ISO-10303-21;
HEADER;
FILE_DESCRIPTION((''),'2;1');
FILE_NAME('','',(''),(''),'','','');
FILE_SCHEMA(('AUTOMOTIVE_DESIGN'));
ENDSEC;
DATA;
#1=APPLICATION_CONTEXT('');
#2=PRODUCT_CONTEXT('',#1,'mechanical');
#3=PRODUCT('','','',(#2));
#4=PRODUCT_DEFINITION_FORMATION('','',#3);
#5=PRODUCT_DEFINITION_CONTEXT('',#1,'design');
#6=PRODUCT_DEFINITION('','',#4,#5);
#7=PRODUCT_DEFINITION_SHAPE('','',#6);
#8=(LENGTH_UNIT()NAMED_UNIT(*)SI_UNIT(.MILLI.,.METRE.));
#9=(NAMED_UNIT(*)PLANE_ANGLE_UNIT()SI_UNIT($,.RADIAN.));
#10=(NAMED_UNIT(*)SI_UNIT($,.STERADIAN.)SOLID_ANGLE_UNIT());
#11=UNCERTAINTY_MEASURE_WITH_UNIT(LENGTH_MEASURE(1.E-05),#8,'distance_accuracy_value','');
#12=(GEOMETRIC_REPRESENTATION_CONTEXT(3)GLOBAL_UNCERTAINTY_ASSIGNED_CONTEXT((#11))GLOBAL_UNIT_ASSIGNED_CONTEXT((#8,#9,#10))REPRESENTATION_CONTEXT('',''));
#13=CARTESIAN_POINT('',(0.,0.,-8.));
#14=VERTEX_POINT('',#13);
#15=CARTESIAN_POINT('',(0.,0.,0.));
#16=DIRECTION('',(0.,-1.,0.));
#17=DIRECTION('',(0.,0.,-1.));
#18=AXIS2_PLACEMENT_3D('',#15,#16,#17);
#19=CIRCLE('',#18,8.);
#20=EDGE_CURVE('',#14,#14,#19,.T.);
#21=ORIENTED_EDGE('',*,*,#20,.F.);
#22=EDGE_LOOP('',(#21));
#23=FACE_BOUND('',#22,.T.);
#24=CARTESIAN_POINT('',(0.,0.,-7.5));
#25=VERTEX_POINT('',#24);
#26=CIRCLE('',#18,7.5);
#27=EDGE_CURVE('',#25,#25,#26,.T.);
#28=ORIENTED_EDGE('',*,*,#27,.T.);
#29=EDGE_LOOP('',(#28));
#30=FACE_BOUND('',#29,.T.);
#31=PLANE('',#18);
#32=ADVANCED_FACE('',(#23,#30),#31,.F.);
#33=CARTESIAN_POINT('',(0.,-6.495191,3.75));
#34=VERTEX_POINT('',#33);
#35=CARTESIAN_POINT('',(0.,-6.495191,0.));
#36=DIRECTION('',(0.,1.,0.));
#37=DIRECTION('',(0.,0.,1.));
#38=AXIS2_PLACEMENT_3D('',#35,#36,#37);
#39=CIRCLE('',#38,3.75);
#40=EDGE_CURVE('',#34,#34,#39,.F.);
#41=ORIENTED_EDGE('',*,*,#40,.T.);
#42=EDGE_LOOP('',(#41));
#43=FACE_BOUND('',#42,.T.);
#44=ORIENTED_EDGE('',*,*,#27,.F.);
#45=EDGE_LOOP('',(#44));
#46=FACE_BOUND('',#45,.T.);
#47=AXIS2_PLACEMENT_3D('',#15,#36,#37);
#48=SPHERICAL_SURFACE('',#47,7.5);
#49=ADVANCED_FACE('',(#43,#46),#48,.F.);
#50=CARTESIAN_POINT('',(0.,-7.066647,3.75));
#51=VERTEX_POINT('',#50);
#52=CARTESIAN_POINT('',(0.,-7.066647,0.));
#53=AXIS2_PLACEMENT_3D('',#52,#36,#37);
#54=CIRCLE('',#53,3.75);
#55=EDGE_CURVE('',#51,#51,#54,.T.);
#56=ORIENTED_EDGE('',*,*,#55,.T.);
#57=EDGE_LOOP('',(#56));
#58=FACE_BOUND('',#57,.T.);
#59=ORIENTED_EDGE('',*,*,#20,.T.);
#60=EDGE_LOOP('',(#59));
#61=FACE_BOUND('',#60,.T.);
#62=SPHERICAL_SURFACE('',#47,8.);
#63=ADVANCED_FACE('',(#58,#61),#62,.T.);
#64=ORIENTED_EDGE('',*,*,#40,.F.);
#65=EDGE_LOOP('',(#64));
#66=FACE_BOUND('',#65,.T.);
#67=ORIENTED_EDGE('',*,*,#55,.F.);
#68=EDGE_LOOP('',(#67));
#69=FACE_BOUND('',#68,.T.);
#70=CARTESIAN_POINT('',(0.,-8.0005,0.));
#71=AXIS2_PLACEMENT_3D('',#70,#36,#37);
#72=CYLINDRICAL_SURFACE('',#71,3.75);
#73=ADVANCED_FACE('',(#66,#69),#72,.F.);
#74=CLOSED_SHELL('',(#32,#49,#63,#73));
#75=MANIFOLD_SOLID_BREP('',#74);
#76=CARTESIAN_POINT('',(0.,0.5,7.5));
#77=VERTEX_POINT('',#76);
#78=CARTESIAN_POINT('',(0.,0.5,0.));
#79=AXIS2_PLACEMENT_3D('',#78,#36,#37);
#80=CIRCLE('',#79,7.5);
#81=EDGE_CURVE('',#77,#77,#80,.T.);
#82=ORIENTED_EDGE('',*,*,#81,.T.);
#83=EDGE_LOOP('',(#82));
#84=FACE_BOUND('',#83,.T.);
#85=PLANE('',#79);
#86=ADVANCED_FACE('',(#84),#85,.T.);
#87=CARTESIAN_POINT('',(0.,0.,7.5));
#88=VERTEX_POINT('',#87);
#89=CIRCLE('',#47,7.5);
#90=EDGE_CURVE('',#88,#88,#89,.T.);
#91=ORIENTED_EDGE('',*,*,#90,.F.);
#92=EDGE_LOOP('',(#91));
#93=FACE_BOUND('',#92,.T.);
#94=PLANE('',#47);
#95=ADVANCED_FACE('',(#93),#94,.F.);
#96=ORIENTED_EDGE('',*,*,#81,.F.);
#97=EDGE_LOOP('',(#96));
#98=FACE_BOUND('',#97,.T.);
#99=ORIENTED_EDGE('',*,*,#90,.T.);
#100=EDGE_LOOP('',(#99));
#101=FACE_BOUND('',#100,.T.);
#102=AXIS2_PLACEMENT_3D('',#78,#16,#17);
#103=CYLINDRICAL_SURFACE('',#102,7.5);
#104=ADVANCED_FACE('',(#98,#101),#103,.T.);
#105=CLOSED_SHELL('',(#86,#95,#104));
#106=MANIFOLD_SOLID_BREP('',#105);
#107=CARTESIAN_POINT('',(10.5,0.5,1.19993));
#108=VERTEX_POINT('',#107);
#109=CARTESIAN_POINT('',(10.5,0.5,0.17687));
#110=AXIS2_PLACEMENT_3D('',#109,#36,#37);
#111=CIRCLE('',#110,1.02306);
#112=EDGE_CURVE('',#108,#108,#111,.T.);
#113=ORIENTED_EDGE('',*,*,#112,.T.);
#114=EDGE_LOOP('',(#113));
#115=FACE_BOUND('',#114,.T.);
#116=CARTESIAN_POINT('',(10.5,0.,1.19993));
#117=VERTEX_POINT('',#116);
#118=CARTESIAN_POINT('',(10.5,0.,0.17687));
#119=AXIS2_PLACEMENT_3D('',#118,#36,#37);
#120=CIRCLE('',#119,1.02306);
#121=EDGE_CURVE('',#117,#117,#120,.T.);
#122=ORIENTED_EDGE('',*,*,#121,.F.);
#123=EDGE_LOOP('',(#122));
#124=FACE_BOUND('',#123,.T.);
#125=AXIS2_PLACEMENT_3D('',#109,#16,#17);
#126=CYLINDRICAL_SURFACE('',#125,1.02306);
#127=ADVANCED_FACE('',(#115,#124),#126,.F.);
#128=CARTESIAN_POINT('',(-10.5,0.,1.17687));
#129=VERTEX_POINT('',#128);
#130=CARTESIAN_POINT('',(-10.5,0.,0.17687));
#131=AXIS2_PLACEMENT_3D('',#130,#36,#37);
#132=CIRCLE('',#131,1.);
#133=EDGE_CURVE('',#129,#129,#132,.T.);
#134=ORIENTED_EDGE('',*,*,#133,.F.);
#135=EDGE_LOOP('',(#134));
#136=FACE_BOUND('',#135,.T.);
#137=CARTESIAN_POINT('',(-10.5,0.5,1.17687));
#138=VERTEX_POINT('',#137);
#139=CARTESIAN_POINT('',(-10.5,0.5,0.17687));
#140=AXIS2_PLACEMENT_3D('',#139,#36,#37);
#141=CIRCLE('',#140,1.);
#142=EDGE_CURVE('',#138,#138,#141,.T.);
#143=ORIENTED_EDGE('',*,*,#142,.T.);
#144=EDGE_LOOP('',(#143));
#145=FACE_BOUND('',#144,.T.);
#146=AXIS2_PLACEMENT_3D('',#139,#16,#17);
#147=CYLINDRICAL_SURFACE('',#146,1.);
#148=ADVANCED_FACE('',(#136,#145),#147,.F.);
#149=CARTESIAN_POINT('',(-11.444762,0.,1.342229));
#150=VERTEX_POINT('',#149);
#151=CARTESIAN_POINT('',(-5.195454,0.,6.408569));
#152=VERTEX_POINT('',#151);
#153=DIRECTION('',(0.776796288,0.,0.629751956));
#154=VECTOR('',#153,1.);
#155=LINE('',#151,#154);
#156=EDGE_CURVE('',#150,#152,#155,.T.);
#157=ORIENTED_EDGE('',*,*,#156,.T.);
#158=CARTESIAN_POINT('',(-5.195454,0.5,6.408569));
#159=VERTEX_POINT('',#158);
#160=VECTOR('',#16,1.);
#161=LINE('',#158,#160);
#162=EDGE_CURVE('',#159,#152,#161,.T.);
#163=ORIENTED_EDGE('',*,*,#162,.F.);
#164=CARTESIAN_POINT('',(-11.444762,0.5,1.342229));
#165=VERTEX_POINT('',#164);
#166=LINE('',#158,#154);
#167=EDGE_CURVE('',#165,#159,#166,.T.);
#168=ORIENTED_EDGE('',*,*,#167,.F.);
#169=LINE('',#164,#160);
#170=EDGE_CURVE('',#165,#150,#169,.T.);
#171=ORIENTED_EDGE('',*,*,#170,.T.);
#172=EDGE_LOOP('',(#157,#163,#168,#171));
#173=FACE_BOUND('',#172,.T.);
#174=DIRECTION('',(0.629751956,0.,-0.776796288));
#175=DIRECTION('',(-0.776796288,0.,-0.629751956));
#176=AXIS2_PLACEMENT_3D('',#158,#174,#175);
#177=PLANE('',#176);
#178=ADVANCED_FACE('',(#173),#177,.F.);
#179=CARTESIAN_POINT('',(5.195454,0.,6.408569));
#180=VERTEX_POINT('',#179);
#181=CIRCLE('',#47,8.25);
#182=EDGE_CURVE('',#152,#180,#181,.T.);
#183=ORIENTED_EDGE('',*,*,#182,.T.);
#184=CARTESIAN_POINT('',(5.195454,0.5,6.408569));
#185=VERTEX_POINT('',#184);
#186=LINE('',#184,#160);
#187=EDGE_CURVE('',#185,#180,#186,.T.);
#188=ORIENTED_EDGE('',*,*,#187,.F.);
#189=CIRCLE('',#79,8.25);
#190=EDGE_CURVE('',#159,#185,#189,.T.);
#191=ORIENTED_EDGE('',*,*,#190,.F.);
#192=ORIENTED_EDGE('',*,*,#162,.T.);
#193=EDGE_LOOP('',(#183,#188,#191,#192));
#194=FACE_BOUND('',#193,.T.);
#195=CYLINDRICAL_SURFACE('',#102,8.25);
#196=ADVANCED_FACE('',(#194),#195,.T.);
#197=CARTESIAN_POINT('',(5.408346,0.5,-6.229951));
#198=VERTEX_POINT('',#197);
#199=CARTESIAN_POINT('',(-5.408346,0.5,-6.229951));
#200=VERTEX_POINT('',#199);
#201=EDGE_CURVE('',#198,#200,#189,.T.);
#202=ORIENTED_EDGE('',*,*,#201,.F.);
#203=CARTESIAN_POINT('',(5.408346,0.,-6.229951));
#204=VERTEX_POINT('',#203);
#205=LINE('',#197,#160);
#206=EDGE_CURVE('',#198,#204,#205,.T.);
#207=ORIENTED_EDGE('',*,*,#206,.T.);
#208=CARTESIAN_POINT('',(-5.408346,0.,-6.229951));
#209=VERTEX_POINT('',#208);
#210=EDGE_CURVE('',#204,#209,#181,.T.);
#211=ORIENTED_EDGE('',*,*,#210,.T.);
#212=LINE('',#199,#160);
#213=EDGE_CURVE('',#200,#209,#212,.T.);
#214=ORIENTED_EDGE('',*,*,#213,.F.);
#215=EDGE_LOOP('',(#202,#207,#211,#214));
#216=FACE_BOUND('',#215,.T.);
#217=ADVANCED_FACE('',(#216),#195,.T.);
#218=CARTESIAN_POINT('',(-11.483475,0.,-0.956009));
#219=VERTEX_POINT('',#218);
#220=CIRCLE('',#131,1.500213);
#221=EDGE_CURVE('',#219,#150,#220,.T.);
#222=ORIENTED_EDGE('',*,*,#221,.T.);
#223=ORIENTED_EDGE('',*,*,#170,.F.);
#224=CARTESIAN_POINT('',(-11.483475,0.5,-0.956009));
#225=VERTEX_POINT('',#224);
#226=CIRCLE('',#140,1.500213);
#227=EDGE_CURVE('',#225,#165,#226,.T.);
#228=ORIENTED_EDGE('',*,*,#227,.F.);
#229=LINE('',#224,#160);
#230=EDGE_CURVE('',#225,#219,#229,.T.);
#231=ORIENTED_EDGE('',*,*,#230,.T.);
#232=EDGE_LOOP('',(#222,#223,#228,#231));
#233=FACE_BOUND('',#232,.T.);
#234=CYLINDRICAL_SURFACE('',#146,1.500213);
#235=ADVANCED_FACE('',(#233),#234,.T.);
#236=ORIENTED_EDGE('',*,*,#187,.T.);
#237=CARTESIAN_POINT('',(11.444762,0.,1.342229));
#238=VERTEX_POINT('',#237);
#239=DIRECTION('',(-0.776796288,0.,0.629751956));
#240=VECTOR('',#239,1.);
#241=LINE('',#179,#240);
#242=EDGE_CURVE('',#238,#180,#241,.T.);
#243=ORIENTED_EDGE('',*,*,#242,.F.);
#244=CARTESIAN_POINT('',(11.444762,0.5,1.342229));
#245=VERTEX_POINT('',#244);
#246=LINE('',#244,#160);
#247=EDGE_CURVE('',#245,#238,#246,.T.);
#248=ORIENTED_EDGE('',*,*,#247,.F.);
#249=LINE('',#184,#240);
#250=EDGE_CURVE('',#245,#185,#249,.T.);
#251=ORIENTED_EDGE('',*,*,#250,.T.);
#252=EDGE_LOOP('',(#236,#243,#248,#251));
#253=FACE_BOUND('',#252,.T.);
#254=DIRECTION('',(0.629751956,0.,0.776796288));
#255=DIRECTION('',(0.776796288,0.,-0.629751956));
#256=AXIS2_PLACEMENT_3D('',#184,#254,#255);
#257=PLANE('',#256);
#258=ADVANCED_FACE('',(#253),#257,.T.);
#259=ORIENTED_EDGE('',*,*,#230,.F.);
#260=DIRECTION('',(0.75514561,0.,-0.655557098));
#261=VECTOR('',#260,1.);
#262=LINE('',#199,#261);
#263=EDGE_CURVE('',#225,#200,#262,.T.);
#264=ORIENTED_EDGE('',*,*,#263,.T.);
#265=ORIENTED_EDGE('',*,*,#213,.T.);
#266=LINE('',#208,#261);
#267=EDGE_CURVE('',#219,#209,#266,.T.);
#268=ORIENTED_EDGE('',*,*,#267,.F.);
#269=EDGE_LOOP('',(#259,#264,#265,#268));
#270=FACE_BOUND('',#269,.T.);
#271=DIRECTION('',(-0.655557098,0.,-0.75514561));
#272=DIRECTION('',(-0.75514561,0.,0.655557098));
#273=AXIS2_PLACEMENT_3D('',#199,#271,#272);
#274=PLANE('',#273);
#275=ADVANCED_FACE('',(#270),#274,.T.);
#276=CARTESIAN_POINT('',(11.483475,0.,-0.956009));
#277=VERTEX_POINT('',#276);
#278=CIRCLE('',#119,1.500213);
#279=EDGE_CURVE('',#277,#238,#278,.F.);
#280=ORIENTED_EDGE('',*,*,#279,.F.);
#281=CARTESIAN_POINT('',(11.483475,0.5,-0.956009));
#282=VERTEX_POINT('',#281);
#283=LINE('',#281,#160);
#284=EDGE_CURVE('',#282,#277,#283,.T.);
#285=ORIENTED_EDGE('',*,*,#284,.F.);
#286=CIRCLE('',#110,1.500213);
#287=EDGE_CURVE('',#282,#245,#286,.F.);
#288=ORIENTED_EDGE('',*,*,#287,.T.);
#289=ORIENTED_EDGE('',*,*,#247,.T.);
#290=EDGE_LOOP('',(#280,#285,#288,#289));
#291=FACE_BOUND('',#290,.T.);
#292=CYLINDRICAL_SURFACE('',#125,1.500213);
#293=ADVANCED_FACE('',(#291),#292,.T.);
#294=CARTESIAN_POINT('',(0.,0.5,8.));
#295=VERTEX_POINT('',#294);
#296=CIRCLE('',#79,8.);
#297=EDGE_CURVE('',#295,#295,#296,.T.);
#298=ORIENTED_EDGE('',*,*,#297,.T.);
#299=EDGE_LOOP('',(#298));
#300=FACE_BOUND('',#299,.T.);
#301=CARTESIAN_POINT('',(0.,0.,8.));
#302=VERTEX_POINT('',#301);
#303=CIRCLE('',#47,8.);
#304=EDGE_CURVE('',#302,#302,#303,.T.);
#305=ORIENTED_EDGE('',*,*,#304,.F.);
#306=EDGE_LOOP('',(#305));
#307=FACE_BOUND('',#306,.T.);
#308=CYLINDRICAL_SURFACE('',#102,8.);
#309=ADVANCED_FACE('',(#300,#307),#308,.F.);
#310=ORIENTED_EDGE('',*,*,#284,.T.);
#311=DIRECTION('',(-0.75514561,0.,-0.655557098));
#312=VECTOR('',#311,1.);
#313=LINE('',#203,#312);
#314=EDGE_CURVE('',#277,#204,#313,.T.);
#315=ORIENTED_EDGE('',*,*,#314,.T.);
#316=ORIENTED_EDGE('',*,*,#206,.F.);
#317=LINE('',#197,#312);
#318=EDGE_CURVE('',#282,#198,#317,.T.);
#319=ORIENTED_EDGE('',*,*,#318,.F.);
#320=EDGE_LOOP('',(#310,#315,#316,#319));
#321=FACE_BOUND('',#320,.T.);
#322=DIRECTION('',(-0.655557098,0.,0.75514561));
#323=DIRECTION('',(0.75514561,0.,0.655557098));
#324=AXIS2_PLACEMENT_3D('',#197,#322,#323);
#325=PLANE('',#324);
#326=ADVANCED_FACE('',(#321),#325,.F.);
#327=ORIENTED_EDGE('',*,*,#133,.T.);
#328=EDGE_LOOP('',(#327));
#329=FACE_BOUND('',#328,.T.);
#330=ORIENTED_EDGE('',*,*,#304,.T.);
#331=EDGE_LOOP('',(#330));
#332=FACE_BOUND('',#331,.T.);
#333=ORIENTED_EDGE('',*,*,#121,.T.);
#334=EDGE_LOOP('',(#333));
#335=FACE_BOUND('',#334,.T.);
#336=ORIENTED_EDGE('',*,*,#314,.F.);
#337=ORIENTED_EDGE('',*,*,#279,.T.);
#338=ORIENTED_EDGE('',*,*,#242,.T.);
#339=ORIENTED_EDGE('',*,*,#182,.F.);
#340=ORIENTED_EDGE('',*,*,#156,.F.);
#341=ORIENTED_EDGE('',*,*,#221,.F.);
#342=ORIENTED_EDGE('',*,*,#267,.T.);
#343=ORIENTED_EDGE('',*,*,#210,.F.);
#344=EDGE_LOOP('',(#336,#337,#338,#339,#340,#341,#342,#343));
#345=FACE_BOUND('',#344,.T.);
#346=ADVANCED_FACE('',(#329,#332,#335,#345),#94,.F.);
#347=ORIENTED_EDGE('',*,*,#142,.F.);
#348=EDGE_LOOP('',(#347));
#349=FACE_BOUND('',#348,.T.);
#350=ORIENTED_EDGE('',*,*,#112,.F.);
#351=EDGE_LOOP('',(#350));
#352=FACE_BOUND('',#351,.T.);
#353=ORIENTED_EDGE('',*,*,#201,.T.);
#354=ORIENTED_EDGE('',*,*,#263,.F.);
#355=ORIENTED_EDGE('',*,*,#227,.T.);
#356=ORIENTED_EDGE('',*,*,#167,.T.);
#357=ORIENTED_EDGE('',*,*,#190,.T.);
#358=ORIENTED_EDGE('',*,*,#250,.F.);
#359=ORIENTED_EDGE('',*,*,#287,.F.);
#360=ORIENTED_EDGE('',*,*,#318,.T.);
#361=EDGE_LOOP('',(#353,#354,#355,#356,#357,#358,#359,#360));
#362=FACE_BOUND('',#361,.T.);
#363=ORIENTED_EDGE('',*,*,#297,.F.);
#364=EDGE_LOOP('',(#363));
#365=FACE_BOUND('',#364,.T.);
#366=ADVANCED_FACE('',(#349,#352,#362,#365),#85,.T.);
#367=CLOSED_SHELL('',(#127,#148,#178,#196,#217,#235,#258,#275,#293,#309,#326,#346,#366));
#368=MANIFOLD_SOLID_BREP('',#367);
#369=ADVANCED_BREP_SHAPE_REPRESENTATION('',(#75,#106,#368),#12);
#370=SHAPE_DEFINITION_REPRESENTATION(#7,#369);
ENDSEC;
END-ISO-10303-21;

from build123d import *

# Parameters (mm, degrees)
REVOLVE6_ANGLE          = 180
SKETCH1_9_R             = 2
BOSS_EXTRUDE1_DEPTH     = 1
SKETCH1_9_R_2           = 15
BOSS_EXTRUDE1_2_DEPTH   = 1
CUT_EXTRUDE1_REACH      = 35.231
CUT_EXTRUDE1_END_RADIUS = 16
SKETCH2_R               = 7.5
SCALE2_SCALE            = 0.5


with BuildPart() as part:
    # Sketch1 → Revolve6 (revolve)
    with BuildSketch(Plane(origin=(0, 0, 0), x_dir=(1, 0, 0), z_dir=(0, 1, 0))):
        with BuildLine():
            ThreePointArc((-16, 0), (0, -16), (16, 0))
            Line((16, 0), (15, 0))
            ThreePointArc((15, 0), (0, -15), (-15, 0))
            Line((-15, 0), (-16, 0))
        make_face()
    revolve(axis=Axis((-19.031531421, 0, 0), (1, 0, 0)), revolution_arc=REVOLVE6_ANGLE)

    # Cut-Extrude1: up to this sphere (the profile starts inside it)
    cut_extrude1_end = Location((0, 0, 0)) * Sphere(CUT_EXTRUDE1_END_RADIUS, mode=Mode.PRIVATE)
    # Sketch2 → Cut-Extrude1 (cut, up to the surface)
    with BuildSketch(Plane(origin=(0, 0, 0), x_dir=(1, 0, 0), z_dir=(0, 1, 0)), mode=Mode.PRIVATE) as cut_extrude1_sk1:
        Circle(SKETCH2_R)
    cut_extrude1_tool1 = extrude(cut_extrude1_sk1.sketch, amount=-CUT_EXTRUDE1_REACH, mode=Mode.PRIVATE) & cut_extrude1_end
    add(cut_extrude1_tool1.solids().sort_by_distance((0, 0, 0))[0], mode=Mode.SUBTRACT)


with BuildPart() as body_2:
    # Sketch1_9 → Boss-Extrude1 (new body)
    with BuildSketch(Plane(origin=(0, 0, 0), x_dir=(1, 0, 0), z_dir=(0, 1, 0))):
        with BuildLine():
            ThreePointArc((-22.96695029, 1.912018961), (-24, -0.404273426), (-22.889523883, -2.684458707))
            Line((-22.889523883, -2.684458707), (-10.390907276, -12.81713876))
            ThreePointArc((-10.390907276, -12.81713876), (0, -16.5), (10.390907276, -12.81713876))
            Line((10.390907276, -12.81713876), (22.889523883, -2.684458707))
            ThreePointArc((22.889523883, -2.684458707), (23.780005188, -1.48251064), (23.979500335, 0))
            ThreePointArc((23.979500335, 0), (23.651565118, 1.050453093), (22.96695029, 1.912018961))
            Line((22.96695029, 1.912018961), (10.816692113, 12.459902557))
            ThreePointArc((10.816692113, 12.459902557), (0, 16.5), (-10.816692113, 12.459902557))
            Line((-10.816692113, 12.459902557), (-22.96695029, 1.912018961))
        make_face()
        with Locations((-21, -0.353739248)):
            Circle(SKETCH1_9_R, mode=Mode.SUBTRACT)
        with BuildLine():
            ThreePointArc((18.984689587, 0), (21, 1.692380865), (23.015310413, 0))
            ThreePointArc((23.015310413, 0), (21, -2.39985936), (18.984689587, 0))
        make_face(mode=Mode.SUBTRACT)
        with BuildLine():
            ThreePointArc((-16, 0), (0, 16), (16, 0))
            ThreePointArc((16, 0), (0, -16), (-16, 0))
        make_face(mode=Mode.SUBTRACT)
    extrude(amount=BOSS_EXTRUDE1_DEPTH)


with BuildPart() as body_3:
    # Sketch1_9 → Boss-Extrude1 2 (new body)
    with BuildSketch(Plane(origin=(0, 0, 0), x_dir=(1, 0, 0), z_dir=(0, 1, 0))):
        Circle(SKETCH1_9_R_2)
    extrude(amount=BOSS_EXTRUDE1_2_DEPTH)


with BuildPart() as body_2_1:
    # Scale2: scaled about (0, 0, 0)
    add(body_2.part.scale(SCALE2_SCALE))


with BuildPart() as body_3_1:
    # Scale2: scaled about (0, 0, 0)
    add(body_3.part.scale(SCALE2_SCALE))


with BuildPart() as part_1:
    # Scale2: scaled about (0, 0, 0)
    add(part.part.scale(SCALE2_SCALE))


solid = Compound([body_2_1.part, body_3_1.part, part_1.part])
